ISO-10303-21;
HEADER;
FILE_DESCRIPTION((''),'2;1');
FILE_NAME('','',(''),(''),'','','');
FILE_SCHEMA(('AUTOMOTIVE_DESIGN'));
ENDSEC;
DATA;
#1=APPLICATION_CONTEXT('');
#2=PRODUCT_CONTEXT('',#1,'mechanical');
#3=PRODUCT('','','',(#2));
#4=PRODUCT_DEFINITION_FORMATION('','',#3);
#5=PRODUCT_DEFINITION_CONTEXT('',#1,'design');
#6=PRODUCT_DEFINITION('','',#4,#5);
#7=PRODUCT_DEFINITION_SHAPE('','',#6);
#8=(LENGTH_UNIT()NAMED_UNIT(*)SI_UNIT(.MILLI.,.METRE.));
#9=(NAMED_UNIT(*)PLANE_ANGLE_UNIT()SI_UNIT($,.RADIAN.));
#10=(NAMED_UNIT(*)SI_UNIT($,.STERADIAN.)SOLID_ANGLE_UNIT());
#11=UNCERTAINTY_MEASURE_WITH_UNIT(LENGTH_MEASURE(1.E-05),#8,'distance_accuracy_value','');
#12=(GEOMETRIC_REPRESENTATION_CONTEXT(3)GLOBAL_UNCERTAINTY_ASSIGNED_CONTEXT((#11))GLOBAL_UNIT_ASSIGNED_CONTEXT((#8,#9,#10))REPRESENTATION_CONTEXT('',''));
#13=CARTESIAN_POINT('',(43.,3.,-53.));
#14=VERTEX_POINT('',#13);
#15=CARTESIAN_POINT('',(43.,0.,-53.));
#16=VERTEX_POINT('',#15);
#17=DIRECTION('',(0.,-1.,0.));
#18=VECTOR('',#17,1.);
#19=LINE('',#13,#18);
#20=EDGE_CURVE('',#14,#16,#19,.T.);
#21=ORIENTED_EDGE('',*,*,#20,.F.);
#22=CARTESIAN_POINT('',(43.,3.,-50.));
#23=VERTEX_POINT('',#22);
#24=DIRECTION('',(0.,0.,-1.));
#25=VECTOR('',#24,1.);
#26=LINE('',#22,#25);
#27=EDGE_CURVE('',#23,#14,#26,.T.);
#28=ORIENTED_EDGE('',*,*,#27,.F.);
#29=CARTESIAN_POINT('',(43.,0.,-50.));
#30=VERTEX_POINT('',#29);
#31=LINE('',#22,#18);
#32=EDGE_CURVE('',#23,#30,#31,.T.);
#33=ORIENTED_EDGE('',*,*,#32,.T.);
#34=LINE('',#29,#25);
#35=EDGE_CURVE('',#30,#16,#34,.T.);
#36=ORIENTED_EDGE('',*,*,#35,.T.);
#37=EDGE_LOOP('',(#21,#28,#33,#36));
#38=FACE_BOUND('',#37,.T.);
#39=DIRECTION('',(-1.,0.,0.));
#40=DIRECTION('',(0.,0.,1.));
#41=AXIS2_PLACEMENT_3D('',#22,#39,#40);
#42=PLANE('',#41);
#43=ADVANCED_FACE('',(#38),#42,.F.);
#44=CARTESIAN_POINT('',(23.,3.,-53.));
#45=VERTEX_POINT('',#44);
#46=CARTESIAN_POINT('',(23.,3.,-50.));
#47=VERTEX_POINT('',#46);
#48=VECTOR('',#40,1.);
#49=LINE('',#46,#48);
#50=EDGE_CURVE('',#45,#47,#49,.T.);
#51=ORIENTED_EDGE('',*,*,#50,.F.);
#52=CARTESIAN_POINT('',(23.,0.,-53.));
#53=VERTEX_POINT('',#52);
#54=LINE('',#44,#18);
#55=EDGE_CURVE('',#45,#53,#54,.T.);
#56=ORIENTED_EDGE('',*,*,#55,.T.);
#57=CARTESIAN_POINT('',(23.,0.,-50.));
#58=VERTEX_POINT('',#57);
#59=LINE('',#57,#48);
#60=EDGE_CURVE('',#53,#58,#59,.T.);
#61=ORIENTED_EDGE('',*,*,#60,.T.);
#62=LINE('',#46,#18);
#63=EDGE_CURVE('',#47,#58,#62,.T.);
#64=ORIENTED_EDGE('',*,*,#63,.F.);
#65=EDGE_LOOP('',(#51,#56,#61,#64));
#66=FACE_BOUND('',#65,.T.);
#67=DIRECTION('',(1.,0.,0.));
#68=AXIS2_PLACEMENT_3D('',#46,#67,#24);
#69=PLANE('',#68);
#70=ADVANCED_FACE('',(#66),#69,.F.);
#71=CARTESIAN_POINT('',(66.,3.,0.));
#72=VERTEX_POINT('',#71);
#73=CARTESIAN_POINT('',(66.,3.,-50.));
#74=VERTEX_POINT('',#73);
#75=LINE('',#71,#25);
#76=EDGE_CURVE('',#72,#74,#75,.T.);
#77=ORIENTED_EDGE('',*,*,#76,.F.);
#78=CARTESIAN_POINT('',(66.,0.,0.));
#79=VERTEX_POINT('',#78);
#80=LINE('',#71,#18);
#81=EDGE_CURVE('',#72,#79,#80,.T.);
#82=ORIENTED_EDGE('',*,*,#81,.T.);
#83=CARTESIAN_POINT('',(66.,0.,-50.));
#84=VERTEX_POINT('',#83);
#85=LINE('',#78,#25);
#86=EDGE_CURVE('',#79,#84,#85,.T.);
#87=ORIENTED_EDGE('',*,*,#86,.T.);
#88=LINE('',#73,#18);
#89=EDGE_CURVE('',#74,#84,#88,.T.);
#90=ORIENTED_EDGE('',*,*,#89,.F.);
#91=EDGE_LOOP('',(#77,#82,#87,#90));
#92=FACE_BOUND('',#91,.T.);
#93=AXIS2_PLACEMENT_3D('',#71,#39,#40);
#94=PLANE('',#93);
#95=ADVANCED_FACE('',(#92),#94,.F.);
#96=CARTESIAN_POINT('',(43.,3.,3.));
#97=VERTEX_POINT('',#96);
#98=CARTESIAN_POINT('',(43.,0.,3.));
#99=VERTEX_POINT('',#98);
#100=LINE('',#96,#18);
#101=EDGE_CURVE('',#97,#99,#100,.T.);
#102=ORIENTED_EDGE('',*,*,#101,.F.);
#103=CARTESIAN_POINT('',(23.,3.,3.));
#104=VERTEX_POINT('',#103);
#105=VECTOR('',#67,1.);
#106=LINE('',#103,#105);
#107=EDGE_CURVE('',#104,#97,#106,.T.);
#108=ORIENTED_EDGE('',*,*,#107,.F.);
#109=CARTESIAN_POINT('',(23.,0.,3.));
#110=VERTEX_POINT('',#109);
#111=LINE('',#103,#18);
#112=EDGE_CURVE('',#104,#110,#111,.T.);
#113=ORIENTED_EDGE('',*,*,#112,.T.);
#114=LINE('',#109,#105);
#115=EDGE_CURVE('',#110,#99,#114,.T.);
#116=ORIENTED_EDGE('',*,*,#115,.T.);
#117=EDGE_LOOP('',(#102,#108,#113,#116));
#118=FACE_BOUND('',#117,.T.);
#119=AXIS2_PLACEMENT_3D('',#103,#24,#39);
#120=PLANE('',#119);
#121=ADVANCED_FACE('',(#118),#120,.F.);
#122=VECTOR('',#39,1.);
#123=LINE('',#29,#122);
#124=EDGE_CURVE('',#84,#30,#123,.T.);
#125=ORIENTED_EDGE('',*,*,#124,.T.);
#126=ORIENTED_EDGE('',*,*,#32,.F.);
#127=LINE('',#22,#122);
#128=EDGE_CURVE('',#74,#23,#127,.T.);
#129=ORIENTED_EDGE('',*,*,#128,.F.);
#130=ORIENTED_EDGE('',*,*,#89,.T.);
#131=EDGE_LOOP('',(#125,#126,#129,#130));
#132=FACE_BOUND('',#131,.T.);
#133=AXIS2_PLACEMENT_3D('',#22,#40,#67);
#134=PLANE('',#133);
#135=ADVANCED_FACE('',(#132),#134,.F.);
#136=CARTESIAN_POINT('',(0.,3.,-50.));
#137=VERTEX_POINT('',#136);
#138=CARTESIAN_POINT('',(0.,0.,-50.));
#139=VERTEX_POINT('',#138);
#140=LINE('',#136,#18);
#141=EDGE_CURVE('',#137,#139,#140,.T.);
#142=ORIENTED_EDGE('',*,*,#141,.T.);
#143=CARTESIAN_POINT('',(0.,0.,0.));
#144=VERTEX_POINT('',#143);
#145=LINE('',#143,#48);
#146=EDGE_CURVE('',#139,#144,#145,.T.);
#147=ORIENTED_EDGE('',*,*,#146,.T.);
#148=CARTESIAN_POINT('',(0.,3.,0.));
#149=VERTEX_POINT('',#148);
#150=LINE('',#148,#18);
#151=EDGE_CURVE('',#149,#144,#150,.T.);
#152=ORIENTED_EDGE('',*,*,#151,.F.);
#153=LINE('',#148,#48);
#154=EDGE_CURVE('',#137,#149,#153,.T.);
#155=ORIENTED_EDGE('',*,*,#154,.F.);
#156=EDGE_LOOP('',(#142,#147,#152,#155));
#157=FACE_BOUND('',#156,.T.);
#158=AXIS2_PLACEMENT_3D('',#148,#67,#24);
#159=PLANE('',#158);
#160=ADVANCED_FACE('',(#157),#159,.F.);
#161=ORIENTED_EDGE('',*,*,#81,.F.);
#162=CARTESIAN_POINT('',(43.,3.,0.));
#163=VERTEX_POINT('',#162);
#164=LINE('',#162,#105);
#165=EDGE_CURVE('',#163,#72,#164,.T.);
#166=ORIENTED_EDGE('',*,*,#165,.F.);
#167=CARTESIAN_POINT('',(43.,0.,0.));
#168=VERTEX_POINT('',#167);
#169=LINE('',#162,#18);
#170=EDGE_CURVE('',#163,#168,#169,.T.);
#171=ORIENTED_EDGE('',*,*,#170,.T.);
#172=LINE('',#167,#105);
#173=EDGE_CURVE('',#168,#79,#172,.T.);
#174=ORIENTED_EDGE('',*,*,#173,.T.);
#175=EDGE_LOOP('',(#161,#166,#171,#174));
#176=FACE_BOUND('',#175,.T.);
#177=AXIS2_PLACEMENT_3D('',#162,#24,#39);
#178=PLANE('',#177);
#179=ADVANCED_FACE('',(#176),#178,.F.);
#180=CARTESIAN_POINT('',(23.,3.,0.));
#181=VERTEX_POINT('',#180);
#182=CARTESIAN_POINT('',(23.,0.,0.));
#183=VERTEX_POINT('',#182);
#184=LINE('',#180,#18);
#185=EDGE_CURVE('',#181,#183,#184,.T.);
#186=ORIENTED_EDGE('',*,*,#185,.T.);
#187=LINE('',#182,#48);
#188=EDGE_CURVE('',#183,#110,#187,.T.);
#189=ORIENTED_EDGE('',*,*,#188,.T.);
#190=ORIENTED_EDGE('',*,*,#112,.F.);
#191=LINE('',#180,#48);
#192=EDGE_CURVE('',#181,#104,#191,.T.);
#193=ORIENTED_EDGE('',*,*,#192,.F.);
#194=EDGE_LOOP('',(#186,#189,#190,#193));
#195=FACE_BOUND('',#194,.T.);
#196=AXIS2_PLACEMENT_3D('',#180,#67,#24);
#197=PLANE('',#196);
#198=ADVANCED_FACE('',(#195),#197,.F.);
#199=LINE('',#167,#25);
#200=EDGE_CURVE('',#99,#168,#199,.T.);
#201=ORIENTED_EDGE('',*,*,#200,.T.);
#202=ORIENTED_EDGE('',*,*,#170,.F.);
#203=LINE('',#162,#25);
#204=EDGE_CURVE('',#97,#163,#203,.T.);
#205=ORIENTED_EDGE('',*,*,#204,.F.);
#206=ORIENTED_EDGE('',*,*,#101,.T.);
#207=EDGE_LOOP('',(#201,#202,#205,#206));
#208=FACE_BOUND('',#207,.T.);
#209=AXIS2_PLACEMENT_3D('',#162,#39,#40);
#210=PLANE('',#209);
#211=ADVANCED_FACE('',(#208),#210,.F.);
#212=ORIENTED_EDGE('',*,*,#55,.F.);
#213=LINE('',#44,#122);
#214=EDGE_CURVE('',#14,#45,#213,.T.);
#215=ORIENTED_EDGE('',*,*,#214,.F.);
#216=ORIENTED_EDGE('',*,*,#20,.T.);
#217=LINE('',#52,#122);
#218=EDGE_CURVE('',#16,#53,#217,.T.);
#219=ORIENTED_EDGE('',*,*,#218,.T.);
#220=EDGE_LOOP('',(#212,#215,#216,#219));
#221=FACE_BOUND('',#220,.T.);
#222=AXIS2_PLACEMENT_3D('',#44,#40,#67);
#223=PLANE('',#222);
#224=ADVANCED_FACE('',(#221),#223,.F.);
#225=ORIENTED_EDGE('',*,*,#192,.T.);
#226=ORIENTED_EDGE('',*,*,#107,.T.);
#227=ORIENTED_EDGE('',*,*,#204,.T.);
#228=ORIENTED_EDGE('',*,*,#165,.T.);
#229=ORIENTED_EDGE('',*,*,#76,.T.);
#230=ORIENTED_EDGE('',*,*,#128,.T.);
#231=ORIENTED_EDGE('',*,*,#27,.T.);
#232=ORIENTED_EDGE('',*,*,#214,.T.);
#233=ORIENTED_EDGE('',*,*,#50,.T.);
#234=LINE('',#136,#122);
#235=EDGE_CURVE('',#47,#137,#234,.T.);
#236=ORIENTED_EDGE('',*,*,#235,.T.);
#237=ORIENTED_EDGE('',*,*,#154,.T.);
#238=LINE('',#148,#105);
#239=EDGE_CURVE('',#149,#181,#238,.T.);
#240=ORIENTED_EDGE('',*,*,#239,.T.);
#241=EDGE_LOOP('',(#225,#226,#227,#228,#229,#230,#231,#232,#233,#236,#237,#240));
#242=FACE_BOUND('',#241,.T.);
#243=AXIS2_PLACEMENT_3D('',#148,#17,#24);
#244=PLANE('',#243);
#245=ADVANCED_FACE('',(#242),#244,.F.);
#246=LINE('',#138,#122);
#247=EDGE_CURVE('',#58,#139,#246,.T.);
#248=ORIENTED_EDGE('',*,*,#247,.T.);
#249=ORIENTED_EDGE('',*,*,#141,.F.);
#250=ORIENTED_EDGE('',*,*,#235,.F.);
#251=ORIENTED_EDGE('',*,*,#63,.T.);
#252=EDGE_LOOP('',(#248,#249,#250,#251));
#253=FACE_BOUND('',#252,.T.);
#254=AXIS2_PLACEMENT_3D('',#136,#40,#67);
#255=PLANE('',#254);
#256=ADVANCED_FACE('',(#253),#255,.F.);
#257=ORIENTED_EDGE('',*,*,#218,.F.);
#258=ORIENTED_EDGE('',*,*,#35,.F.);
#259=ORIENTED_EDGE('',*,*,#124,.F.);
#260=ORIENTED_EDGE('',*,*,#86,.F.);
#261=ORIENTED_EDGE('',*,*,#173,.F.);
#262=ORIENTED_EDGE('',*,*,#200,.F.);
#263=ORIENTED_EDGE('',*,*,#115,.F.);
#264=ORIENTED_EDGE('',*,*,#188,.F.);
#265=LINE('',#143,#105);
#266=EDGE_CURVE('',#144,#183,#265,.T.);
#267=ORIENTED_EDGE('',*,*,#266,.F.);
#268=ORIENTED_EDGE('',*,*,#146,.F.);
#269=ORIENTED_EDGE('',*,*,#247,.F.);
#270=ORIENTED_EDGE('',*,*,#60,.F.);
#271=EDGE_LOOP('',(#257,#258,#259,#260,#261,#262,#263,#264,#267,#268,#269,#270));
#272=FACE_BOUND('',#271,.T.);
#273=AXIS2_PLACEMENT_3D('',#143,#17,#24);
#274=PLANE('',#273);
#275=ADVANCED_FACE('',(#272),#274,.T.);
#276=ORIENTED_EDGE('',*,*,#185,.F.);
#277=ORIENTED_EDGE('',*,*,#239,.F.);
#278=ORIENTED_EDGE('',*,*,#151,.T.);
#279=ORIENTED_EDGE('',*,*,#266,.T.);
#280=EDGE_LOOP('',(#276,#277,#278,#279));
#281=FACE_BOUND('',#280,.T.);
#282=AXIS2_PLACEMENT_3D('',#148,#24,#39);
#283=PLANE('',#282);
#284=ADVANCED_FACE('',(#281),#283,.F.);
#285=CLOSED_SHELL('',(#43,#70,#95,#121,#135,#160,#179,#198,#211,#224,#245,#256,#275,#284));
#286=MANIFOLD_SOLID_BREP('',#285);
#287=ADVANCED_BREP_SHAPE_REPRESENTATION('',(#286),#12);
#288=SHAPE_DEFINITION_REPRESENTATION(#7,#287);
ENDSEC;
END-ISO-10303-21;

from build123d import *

# Parameters (mm, degrees)
BOSS_EXTRUDE1_DEPTH = 3


with BuildPart() as part:
    # Sketch1 → Boss-Extrude1 (new body)
    with BuildSketch(Plane(origin=(0, 0, 0), x_dir=(1, 0, 0), z_dir=(0, 1, 0))):
        Polygon((0, 0), (23, 0), (23, -3), (43, -3), (43, 0), (66, 0), (66, 50), (43, 50), (43, 53), (23, 53), (23, 50), (0, 50), align=None)
    extrude(amount=BOSS_EXTRUDE1_DEPTH)


solid = part.part
